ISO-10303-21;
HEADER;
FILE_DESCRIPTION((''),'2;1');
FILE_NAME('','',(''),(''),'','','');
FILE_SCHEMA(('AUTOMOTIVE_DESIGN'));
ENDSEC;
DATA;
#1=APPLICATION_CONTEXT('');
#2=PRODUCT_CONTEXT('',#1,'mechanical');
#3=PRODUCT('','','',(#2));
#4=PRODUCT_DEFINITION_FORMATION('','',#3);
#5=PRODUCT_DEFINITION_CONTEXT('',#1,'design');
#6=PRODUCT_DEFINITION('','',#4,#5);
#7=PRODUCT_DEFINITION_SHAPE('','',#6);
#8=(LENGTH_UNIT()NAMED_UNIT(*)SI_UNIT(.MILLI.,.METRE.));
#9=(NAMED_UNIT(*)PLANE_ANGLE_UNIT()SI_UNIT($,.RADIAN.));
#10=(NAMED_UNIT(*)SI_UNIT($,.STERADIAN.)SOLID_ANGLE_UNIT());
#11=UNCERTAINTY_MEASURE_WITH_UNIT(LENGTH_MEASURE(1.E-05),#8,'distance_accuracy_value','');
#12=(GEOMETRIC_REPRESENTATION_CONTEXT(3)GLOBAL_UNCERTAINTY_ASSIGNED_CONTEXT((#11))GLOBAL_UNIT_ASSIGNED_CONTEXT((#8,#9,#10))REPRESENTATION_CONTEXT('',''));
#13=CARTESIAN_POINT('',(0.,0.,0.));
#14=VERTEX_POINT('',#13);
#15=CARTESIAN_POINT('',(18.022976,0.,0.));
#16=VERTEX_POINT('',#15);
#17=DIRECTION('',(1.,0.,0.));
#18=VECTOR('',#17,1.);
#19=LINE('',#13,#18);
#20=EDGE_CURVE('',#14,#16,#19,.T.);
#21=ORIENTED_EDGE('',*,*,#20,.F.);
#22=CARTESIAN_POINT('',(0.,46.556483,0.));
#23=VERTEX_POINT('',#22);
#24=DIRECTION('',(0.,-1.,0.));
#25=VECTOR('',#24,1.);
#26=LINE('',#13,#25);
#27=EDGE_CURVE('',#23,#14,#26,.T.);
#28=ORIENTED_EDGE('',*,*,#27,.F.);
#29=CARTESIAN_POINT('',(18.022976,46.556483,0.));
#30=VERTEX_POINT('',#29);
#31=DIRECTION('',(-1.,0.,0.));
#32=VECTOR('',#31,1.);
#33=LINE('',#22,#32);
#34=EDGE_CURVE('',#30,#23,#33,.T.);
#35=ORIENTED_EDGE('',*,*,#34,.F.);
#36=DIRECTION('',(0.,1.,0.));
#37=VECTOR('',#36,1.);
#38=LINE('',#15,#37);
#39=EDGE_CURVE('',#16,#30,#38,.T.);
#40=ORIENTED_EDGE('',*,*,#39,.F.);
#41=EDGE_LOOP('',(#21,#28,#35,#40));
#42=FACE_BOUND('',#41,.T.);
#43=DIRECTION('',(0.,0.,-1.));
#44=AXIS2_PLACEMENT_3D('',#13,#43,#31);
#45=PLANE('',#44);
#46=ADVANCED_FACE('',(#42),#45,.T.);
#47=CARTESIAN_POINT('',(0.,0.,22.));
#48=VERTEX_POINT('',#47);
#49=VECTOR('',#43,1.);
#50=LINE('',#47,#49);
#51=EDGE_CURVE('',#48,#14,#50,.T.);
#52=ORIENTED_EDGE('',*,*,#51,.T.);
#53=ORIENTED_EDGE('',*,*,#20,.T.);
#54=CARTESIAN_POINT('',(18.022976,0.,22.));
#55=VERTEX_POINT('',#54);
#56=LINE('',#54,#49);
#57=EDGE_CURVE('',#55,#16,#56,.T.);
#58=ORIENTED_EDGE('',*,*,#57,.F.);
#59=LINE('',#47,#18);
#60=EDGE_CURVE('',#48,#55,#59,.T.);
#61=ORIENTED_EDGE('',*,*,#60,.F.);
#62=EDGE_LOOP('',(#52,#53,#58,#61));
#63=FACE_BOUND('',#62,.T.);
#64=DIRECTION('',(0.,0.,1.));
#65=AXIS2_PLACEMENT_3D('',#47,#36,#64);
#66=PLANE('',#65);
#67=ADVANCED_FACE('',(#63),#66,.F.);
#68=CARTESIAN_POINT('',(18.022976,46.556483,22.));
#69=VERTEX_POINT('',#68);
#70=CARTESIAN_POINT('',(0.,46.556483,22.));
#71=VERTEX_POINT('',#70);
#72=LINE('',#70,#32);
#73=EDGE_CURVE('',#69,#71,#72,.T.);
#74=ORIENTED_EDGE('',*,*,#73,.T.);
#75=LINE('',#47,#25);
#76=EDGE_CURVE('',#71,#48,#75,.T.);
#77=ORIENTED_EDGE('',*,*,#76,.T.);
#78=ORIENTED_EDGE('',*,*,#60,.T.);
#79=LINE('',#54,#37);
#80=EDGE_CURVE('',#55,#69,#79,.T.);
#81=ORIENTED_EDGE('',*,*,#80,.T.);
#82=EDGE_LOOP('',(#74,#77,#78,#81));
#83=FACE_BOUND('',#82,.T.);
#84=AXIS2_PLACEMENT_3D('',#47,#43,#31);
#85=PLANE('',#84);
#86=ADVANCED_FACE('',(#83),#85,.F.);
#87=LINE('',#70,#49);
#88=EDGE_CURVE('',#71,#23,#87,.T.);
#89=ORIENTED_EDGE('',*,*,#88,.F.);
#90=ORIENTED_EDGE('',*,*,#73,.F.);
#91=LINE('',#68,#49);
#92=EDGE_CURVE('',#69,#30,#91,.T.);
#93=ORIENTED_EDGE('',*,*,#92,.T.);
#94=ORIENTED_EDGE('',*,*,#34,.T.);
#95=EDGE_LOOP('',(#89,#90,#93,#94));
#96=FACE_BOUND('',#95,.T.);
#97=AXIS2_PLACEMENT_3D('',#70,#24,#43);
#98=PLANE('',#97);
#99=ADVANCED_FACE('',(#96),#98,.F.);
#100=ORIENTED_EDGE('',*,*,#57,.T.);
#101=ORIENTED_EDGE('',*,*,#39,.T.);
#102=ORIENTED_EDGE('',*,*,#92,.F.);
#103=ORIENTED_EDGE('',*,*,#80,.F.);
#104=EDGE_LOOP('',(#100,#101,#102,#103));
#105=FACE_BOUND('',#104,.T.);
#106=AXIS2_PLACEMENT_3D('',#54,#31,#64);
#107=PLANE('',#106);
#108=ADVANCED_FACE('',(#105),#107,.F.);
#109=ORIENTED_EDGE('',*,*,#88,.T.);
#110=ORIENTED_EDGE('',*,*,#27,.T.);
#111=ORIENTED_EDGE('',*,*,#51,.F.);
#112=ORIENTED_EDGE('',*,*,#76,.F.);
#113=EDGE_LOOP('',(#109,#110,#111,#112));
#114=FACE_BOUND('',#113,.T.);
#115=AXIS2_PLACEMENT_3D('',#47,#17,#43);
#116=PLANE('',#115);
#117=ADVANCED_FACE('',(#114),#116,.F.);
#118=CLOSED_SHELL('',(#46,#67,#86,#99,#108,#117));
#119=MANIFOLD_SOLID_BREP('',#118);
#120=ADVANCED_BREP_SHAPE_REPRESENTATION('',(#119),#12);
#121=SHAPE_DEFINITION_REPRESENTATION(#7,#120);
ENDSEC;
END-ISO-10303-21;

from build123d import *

# Parameters (mm, degrees)
ESBO_O1_W                = 18.022976322
ESBO_O1_H                = 46.556482914
RESSALTO_EXTRUS_O1_DEPTH = 22


with BuildPart() as part:
    # Esboço1 → Ressalto-extrusão1 (new body)
    with BuildSketch(Plane.XY):
        with Locations((9.011488161, 23.278241457)):
            Rectangle(ESBO_O1_W, ESBO_O1_H)
    extrude(amount=RESSALTO_EXTRUS_O1_DEPTH)


solid = part.part
